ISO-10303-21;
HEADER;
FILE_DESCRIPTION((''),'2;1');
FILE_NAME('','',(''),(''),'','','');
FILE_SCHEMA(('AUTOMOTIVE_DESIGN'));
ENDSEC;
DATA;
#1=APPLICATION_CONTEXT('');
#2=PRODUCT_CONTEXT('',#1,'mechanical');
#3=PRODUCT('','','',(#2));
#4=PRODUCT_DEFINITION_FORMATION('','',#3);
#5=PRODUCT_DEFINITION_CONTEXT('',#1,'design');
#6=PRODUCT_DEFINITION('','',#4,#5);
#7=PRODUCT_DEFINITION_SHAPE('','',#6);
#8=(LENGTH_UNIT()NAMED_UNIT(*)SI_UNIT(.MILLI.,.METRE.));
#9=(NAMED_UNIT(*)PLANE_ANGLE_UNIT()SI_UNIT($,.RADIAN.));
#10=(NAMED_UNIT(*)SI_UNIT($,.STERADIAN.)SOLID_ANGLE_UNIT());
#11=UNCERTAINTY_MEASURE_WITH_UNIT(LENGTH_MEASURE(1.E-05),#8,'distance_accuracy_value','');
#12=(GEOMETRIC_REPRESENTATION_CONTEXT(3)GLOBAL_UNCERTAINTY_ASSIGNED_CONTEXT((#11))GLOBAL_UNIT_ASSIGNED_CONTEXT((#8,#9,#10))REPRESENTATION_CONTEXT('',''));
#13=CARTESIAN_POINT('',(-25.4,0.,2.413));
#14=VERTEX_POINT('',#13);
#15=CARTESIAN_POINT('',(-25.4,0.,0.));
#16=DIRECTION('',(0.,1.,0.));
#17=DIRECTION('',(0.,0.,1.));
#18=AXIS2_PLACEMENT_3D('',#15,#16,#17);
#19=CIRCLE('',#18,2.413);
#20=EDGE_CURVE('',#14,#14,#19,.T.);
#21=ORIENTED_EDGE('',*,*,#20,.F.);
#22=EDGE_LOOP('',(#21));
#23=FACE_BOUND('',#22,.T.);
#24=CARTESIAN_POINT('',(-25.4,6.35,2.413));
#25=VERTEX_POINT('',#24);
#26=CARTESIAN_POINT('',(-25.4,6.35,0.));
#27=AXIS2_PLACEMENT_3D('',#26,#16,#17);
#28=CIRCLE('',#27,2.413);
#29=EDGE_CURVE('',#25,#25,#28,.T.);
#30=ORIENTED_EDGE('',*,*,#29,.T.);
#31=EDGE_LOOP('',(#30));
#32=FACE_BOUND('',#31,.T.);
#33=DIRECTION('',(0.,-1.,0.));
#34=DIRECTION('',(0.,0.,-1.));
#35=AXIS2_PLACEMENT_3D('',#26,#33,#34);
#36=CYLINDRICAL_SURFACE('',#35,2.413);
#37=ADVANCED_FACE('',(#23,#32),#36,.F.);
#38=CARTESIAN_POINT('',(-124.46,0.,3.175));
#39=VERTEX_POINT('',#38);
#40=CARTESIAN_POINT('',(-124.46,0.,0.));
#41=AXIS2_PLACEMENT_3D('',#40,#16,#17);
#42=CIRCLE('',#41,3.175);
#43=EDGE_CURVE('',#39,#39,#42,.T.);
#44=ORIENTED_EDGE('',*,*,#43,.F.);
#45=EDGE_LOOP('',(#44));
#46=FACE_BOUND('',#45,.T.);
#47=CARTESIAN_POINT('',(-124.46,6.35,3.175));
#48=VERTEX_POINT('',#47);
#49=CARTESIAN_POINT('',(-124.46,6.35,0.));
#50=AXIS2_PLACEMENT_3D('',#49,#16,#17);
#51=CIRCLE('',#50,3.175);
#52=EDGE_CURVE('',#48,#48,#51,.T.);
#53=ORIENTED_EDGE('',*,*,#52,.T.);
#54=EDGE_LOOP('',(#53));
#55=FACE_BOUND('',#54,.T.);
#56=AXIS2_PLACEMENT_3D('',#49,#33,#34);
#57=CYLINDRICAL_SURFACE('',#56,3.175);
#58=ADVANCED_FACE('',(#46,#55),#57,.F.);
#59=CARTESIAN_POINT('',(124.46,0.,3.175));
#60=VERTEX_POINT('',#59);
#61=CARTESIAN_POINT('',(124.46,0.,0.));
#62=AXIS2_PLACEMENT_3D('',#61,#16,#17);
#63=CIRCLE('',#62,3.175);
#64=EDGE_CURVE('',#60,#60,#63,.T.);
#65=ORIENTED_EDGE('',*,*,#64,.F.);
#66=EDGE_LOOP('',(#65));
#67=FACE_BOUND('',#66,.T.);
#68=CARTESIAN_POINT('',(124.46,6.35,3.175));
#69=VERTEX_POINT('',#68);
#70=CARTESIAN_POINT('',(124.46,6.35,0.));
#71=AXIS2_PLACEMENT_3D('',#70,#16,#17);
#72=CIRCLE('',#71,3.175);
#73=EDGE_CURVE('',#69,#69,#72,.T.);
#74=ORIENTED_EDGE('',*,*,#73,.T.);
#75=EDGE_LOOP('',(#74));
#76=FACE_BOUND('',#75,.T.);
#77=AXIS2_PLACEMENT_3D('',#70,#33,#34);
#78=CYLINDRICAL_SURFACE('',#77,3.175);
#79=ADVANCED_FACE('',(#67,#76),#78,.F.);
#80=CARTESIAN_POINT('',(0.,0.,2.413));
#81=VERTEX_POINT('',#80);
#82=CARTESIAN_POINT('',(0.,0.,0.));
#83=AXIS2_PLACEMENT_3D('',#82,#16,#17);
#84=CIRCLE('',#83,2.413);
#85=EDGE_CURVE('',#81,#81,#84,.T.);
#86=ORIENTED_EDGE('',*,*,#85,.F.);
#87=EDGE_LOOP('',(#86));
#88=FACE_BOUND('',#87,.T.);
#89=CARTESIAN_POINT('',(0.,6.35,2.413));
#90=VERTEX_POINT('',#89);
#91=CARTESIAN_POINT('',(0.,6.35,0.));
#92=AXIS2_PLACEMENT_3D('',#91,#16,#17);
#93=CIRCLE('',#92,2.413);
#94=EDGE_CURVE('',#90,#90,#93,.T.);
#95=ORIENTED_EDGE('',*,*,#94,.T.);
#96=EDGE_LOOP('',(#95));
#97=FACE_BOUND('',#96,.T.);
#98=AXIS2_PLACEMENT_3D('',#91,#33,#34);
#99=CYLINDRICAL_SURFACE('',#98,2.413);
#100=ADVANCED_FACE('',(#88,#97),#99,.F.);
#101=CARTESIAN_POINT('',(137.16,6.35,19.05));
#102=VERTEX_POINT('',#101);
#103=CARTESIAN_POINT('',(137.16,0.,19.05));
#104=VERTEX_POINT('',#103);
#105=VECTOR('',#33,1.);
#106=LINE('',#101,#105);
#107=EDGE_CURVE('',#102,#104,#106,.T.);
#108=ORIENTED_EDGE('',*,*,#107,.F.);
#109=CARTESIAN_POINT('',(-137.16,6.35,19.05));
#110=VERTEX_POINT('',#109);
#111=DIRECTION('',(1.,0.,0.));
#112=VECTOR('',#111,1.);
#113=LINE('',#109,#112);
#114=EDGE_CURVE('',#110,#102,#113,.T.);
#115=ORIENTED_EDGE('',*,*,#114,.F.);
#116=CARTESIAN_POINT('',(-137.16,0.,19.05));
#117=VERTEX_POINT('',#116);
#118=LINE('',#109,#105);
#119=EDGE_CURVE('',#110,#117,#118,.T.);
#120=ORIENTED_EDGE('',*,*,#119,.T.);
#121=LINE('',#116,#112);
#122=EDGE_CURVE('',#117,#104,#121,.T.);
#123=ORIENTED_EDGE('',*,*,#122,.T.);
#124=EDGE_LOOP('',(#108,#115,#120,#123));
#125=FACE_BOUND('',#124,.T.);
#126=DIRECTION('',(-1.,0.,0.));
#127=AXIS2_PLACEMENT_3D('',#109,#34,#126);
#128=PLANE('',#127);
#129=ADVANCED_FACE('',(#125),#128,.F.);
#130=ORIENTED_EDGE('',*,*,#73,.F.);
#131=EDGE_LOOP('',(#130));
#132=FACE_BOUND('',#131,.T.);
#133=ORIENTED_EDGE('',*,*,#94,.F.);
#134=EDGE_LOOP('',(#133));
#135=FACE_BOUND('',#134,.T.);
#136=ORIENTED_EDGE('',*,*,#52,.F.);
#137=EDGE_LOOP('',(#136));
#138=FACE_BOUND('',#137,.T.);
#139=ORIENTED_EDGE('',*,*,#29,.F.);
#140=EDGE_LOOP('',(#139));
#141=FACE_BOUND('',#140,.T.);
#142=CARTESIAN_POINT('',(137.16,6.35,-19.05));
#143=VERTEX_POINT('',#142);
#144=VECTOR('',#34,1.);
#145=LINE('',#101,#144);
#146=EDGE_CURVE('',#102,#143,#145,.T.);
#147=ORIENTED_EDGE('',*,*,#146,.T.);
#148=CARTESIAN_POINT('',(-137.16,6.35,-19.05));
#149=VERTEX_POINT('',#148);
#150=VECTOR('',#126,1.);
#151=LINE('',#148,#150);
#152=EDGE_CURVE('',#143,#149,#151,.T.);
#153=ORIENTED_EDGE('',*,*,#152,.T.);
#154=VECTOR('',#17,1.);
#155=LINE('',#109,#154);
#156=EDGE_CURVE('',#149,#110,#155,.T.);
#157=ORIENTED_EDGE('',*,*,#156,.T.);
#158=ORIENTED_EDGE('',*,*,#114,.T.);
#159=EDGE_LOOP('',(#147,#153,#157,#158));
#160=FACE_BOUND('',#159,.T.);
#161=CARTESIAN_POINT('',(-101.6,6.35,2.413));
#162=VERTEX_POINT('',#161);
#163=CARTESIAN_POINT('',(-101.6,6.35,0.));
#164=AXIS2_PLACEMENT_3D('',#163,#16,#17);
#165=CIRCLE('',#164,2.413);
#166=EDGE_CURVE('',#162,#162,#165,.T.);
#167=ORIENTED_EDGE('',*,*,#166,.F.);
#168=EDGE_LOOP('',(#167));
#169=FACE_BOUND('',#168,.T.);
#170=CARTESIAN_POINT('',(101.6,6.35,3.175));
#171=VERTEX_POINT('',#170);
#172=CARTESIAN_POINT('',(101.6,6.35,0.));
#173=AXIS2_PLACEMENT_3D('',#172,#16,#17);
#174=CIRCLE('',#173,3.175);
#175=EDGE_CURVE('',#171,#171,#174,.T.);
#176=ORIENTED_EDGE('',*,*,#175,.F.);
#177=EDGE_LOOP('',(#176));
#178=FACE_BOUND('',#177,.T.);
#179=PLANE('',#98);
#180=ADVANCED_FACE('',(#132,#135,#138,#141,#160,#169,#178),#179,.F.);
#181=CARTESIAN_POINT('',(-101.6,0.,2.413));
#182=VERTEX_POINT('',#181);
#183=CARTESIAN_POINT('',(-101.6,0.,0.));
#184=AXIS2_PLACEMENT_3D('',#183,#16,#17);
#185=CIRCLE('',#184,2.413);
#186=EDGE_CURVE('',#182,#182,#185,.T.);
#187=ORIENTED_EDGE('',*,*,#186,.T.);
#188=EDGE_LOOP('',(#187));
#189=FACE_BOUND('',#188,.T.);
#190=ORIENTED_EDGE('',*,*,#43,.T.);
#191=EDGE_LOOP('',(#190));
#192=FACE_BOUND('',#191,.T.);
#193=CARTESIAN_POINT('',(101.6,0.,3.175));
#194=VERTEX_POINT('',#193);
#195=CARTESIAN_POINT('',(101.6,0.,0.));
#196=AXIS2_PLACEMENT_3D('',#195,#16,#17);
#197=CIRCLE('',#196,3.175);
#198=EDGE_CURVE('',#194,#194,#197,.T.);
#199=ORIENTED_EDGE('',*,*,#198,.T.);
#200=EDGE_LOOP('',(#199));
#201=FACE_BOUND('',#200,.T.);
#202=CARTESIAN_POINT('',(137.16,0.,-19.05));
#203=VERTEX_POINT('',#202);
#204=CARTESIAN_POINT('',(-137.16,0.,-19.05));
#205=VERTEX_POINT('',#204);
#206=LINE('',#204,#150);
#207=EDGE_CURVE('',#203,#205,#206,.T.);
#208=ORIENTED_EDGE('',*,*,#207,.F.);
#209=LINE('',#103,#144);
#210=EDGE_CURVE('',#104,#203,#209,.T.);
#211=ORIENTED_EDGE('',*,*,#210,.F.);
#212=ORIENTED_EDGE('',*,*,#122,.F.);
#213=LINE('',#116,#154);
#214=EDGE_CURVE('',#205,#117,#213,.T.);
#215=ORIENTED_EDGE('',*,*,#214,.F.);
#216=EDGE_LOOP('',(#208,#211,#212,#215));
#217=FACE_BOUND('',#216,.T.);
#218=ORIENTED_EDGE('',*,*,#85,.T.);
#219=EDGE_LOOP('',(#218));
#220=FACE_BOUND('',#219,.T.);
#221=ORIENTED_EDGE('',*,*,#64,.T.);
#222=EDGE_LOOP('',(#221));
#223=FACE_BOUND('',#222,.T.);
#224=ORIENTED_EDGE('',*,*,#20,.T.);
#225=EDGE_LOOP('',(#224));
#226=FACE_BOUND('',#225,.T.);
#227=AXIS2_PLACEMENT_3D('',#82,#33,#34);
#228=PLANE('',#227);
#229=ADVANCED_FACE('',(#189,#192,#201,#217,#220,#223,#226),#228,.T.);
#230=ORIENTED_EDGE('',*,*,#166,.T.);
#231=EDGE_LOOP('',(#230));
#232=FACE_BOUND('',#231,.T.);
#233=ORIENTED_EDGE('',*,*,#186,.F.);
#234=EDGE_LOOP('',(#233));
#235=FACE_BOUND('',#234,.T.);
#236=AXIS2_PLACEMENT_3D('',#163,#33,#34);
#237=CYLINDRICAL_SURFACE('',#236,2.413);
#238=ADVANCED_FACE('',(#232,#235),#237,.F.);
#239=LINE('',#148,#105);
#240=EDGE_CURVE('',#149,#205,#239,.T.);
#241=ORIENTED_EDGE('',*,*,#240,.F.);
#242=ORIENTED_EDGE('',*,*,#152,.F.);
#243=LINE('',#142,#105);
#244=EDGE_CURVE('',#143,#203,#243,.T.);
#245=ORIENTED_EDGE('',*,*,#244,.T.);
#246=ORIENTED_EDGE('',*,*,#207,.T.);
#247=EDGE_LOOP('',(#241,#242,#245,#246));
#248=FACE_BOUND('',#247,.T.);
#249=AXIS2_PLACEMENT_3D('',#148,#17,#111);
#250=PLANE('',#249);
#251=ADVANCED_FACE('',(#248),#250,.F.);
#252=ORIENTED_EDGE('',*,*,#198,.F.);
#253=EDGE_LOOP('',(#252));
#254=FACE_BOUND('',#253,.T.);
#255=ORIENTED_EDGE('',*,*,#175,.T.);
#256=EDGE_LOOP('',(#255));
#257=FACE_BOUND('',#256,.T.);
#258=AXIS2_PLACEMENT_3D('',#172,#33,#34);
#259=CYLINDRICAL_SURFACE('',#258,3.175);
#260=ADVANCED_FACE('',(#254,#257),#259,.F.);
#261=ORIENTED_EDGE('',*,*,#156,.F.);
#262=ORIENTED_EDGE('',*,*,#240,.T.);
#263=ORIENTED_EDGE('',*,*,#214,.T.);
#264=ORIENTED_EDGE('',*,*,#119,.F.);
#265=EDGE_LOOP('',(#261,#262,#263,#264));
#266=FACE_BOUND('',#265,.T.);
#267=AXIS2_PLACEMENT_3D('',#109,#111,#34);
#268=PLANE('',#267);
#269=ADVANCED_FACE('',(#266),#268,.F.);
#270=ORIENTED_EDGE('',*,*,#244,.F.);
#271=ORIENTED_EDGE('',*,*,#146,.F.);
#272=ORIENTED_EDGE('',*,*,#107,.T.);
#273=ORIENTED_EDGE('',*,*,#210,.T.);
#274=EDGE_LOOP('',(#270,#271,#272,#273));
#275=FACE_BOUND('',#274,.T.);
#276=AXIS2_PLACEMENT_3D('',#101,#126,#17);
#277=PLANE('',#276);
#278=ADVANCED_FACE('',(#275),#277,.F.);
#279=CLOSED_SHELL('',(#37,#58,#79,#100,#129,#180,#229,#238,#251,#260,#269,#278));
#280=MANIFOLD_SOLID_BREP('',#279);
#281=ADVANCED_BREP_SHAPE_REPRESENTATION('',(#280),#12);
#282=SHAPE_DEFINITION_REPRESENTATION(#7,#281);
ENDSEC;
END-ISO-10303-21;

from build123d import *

# Parameters (mm, degrees)
SKETCH1_W           = 274.32
SKETCH1_H           = 38.1
SKETCH1_R           = 3.175
SKETCH1_R_2         = 2.413
BOSS_EXTRUDE1_DEPTH = 6.35


with BuildPart() as part:
    # Sketch1 → Boss-Extrude1 (new body)
    with BuildSketch(Plane(origin=(0, 0, 0), x_dir=(1, 0, 0), z_dir=(0, 1, 0))):
        Rectangle(SKETCH1_W, SKETCH1_H)
        with Locations(Location((-124.46, 0, 0), (0, 0, 270))):
            Circle(SKETCH1_R, mode=Mode.SUBTRACT)
        with Locations(Location((124.46, 0, 0), (0, 0, 270))):
            Circle(SKETCH1_R, mode=Mode.SUBTRACT)
        with Locations(Location((-101.6, 0, 0), (0, 0, 270))):
            Circle(SKETCH1_R_2, mode=Mode.SUBTRACT)
        with Locations(Location((-25.4, 0, 0), (0, 0, 270))):
            Circle(SKETCH1_R_2, mode=Mode.SUBTRACT)
        with Locations(Location((0, 0, 0), (0, 0, 270))):
            Circle(SKETCH1_R_2, mode=Mode.SUBTRACT)
        with Locations(Location((101.6, 0, 0), (0, 0, 270))):
            Circle(SKETCH1_R, mode=Mode.SUBTRACT)
    extrude(amount=BOSS_EXTRUDE1_DEPTH)


solid = part.part
